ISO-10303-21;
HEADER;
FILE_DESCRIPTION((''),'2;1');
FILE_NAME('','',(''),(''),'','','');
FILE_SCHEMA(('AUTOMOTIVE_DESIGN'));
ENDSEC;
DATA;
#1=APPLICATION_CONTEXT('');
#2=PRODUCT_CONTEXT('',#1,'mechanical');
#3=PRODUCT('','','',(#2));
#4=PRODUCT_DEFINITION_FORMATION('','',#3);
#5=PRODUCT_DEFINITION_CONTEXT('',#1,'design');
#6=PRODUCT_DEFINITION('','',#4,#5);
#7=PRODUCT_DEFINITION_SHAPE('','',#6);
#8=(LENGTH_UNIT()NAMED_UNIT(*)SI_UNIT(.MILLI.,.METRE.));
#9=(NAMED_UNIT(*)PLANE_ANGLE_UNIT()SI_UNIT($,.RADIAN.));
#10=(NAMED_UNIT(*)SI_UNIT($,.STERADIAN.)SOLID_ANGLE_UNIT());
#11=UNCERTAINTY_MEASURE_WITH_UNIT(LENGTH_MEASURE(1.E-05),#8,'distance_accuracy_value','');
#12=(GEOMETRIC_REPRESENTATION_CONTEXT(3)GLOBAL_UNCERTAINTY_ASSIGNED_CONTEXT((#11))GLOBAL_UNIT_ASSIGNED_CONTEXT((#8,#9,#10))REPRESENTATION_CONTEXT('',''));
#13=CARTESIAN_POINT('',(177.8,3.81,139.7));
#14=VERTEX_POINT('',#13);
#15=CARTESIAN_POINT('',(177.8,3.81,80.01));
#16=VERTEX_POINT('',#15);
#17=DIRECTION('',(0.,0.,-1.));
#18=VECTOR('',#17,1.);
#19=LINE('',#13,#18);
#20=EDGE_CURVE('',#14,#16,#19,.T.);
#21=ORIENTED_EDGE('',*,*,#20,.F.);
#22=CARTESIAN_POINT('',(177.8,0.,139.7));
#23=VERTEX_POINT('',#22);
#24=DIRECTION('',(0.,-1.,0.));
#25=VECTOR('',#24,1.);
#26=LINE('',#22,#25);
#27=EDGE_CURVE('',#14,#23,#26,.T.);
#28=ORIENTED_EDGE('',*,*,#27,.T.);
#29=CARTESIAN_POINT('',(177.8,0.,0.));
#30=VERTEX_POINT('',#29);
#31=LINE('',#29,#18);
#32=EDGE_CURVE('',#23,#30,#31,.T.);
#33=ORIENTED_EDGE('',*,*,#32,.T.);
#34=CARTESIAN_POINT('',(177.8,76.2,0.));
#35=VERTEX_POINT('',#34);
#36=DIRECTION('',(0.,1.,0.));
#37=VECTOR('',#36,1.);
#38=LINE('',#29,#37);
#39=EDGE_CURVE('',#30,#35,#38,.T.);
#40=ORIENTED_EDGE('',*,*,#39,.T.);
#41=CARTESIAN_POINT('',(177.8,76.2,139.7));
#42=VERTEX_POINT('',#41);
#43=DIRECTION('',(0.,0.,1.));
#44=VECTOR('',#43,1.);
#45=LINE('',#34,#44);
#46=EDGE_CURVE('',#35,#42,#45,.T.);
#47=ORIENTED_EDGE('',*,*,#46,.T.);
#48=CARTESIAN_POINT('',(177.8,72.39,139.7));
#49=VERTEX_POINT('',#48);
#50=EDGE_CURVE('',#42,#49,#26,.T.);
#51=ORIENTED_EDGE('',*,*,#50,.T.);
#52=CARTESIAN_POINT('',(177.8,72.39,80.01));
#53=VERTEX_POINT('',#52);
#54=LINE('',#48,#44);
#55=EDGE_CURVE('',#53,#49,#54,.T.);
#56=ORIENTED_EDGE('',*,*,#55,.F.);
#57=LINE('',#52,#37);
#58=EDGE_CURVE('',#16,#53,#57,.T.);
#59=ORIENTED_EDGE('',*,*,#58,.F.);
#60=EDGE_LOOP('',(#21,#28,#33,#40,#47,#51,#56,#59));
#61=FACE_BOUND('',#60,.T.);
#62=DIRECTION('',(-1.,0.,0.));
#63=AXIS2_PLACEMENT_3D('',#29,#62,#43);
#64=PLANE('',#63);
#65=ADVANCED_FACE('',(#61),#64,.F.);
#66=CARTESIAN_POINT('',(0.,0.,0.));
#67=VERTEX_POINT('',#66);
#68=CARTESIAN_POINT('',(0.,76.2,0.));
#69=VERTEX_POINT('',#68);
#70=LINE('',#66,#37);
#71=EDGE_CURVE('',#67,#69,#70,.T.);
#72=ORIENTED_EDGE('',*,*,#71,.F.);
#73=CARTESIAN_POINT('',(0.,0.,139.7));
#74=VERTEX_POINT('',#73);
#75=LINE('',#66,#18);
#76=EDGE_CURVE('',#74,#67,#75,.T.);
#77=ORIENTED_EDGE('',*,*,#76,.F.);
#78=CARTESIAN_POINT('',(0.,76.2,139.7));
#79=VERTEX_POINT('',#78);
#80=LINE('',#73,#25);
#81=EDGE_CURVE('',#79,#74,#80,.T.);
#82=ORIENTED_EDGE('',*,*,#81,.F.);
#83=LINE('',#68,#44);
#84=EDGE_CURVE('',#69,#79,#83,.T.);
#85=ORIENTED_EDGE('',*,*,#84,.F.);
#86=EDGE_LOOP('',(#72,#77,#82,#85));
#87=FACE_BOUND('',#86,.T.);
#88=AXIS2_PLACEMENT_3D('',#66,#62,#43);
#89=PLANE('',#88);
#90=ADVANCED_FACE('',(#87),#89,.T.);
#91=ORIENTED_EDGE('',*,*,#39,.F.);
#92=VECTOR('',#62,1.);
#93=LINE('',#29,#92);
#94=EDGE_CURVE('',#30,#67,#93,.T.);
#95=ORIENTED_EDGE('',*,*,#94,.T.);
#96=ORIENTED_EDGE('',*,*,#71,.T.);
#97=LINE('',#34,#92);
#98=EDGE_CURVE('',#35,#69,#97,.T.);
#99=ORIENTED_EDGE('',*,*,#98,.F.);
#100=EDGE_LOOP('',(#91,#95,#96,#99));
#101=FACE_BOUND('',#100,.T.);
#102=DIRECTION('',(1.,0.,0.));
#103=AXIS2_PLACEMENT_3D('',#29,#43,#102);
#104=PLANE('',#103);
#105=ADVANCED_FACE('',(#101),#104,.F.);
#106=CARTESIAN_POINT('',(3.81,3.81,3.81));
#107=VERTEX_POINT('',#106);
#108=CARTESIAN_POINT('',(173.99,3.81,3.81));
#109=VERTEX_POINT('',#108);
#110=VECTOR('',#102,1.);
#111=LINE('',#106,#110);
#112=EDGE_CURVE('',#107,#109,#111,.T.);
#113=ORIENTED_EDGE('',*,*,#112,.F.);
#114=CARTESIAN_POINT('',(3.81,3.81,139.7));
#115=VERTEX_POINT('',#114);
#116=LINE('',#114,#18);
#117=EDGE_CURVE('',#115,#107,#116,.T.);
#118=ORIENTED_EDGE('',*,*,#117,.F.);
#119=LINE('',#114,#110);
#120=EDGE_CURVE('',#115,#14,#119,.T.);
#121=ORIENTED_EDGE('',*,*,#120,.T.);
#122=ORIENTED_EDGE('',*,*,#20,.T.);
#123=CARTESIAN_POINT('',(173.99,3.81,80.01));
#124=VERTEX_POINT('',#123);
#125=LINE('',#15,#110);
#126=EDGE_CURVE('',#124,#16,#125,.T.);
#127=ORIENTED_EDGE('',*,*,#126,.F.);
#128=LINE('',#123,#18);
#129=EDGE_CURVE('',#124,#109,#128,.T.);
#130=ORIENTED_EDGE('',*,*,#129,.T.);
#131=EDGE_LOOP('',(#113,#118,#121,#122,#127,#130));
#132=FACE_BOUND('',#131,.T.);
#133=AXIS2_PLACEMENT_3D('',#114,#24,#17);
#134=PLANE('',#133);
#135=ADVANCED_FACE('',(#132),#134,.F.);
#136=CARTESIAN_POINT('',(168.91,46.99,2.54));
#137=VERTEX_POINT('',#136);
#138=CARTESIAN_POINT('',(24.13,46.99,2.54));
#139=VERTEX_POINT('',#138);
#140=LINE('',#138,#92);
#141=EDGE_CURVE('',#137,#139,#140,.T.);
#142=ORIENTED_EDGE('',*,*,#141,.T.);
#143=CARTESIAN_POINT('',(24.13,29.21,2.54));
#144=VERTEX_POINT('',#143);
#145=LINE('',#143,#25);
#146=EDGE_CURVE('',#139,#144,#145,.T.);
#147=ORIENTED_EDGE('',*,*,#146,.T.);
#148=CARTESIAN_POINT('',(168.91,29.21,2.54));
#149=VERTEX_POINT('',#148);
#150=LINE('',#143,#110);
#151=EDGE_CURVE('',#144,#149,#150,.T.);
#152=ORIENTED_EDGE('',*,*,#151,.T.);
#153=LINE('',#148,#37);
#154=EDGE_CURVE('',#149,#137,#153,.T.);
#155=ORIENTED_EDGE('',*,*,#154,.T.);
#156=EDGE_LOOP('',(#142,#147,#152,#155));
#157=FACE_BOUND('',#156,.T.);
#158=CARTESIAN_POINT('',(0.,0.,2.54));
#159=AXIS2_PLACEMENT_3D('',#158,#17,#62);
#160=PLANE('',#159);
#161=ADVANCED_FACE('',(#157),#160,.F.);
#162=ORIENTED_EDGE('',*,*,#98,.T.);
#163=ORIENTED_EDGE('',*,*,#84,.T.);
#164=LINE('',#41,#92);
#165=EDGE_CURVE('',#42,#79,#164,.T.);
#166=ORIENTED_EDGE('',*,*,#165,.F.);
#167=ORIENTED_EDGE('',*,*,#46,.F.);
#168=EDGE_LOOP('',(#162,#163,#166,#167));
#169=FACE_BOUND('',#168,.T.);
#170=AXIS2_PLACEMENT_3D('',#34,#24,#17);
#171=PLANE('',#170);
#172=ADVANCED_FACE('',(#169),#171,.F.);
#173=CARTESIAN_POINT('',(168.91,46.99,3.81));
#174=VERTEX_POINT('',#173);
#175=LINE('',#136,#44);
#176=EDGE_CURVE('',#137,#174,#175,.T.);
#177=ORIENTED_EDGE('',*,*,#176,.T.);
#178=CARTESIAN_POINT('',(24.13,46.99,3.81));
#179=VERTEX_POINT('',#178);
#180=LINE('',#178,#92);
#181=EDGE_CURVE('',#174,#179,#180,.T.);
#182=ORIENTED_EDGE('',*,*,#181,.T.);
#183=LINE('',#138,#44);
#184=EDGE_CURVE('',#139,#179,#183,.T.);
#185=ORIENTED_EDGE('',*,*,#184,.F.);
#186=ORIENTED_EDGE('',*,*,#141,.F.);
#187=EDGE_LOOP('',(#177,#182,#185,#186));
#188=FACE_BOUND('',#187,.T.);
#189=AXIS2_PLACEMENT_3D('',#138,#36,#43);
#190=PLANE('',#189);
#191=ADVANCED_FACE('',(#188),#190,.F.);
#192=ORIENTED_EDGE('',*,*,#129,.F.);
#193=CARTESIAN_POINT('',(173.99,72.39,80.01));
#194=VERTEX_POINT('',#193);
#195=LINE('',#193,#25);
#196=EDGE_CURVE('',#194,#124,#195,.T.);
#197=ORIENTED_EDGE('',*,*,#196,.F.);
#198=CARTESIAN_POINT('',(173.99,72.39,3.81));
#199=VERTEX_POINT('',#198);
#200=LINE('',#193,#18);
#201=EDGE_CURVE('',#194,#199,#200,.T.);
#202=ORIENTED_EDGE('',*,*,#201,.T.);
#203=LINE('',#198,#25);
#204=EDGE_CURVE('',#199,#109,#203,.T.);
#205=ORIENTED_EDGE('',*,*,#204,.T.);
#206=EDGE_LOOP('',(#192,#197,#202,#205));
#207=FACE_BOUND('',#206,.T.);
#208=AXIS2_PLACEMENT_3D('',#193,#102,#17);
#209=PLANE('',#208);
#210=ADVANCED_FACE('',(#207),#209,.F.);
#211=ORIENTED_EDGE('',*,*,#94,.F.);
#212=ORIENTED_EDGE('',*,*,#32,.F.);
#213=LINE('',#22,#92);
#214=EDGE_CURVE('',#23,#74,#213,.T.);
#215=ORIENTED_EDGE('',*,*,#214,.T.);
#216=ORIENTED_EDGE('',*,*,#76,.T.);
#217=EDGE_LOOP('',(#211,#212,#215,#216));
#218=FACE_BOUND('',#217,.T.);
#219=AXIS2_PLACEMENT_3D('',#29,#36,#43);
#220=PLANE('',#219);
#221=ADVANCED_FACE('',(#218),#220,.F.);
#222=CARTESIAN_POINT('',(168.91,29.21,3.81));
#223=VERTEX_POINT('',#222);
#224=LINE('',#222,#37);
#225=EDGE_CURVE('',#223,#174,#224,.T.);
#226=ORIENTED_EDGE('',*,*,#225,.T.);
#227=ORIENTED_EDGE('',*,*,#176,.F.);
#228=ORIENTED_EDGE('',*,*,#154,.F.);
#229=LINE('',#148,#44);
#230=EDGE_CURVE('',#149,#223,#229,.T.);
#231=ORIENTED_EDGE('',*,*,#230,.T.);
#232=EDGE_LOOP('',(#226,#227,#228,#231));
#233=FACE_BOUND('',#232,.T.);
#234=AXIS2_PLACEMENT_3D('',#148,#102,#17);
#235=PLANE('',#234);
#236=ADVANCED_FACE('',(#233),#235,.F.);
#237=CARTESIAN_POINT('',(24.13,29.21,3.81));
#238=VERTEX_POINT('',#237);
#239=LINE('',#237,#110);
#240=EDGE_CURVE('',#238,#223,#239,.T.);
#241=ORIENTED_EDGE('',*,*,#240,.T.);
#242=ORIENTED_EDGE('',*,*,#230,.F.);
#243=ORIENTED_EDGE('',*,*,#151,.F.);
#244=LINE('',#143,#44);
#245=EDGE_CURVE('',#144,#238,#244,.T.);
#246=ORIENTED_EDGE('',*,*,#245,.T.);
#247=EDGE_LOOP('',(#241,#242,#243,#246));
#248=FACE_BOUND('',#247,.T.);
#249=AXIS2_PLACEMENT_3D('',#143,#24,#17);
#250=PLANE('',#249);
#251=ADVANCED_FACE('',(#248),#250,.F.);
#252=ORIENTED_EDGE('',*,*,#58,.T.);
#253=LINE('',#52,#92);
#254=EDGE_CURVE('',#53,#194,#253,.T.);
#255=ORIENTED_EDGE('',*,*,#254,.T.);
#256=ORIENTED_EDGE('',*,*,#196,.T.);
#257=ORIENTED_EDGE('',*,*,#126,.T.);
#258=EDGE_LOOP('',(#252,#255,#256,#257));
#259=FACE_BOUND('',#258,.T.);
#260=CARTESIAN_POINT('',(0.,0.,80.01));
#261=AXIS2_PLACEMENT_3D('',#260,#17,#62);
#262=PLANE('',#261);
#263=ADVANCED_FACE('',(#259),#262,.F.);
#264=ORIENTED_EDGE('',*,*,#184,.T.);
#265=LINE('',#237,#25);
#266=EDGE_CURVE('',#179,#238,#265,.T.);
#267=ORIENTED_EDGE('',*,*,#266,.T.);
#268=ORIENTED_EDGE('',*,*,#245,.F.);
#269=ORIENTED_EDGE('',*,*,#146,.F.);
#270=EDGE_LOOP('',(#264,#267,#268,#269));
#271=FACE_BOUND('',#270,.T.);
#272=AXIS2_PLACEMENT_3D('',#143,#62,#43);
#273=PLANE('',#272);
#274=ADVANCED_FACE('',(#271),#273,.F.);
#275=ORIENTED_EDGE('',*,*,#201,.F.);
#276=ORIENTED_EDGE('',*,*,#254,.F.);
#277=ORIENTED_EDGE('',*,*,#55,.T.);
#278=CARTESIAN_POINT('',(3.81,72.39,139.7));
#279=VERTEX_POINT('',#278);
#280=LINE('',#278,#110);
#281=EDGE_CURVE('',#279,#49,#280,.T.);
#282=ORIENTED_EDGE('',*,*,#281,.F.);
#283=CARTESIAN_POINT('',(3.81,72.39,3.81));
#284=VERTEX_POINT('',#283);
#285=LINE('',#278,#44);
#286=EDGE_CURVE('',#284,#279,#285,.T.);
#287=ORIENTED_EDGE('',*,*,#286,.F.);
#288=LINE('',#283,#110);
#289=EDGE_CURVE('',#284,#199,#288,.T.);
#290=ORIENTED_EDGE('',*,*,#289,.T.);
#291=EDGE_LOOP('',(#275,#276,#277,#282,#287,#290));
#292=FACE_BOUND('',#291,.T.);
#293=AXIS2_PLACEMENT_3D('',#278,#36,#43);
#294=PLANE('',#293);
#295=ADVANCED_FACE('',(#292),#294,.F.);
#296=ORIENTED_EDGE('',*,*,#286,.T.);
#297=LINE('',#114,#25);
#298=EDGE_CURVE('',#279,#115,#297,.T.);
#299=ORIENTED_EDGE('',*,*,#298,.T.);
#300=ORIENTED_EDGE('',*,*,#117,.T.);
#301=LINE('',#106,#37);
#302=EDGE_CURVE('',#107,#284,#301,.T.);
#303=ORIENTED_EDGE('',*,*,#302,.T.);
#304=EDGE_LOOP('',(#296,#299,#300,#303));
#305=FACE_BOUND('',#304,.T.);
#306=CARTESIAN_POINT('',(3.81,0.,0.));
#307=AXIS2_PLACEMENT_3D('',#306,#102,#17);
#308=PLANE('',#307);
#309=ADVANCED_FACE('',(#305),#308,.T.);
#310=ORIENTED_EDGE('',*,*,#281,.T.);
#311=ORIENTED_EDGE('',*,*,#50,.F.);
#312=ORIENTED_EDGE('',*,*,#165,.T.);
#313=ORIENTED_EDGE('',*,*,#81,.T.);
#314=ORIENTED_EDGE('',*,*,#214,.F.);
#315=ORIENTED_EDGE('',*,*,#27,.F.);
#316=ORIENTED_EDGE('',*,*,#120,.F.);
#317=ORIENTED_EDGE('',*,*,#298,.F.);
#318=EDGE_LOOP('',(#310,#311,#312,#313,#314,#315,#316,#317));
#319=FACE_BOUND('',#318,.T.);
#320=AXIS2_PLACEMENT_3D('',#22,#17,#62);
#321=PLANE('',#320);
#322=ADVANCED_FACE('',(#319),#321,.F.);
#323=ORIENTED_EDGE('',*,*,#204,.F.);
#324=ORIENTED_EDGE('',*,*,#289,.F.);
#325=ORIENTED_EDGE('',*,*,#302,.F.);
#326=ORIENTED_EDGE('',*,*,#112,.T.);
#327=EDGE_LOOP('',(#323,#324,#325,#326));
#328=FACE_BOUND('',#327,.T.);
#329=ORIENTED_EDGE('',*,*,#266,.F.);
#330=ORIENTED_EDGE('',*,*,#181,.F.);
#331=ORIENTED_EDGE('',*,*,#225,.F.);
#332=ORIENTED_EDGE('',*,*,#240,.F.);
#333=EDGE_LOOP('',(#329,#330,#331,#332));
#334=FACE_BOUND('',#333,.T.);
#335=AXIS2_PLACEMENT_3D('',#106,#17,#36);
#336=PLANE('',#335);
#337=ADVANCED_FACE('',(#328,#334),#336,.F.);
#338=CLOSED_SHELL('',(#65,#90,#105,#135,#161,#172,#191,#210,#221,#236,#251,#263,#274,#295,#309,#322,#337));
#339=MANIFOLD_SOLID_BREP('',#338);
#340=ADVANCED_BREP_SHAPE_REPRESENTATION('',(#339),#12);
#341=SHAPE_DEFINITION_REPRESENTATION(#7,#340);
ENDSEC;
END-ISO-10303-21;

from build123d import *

# Parameters (mm, degrees)
SKETCH1_W           = 76.2
SKETCH1_H           = 139.7
BOSS_EXTRUDE1_DEPTH = 177.8
SKETCH2_W           = 68.58
SKETCH2_H           = 135.89
CUT_EXTRUDE1_DEPTH  = 173.99
SKETCH3_W           = 144.78
SKETCH3_H           = 17.78
CUT_EXTRUDE2_DEPTH  = 1.27
SKETCH5_W           = 3.81
SKETCH5_H           = 68.58
BOSS_EXTRUDE2_DEPTH = 76.2


with BuildPart() as part:
    # Sketch1 → Boss-Extrude1 (new body)
    with BuildSketch(Plane.YZ):
        with Locations((38.1, 69.85)):
            Rectangle(SKETCH1_W, SKETCH1_H)
    extrude(amount=BOSS_EXTRUDE1_DEPTH)

    # Sketch2 → Cut-Extrude1 (cut)
    with BuildSketch(Plane.YZ.offset(177.8)):
        with Locations((38.1, 71.755)):
            Rectangle(SKETCH2_W, SKETCH2_H)
    extrude(amount=-CUT_EXTRUDE1_DEPTH, mode=Mode.SUBTRACT)

    # Sketch3 → Cut-Extrude2 (cut)
    with BuildSketch(Plane.XY.offset(3.81)):
        with Locations((96.52, 38.1)):
            Rectangle(SKETCH3_W, SKETCH3_H)
    extrude(amount=-CUT_EXTRUDE2_DEPTH, mode=Mode.SUBTRACT)

    # Sketch5 → Boss-Extrude2 (add)
    with BuildSketch(Plane.XY.offset(3.81)):
        with Locations((175.895, 38.1)):
            Rectangle(SKETCH5_W, SKETCH5_H)
    extrude(amount=BOSS_EXTRUDE2_DEPTH)


solid = part.part
